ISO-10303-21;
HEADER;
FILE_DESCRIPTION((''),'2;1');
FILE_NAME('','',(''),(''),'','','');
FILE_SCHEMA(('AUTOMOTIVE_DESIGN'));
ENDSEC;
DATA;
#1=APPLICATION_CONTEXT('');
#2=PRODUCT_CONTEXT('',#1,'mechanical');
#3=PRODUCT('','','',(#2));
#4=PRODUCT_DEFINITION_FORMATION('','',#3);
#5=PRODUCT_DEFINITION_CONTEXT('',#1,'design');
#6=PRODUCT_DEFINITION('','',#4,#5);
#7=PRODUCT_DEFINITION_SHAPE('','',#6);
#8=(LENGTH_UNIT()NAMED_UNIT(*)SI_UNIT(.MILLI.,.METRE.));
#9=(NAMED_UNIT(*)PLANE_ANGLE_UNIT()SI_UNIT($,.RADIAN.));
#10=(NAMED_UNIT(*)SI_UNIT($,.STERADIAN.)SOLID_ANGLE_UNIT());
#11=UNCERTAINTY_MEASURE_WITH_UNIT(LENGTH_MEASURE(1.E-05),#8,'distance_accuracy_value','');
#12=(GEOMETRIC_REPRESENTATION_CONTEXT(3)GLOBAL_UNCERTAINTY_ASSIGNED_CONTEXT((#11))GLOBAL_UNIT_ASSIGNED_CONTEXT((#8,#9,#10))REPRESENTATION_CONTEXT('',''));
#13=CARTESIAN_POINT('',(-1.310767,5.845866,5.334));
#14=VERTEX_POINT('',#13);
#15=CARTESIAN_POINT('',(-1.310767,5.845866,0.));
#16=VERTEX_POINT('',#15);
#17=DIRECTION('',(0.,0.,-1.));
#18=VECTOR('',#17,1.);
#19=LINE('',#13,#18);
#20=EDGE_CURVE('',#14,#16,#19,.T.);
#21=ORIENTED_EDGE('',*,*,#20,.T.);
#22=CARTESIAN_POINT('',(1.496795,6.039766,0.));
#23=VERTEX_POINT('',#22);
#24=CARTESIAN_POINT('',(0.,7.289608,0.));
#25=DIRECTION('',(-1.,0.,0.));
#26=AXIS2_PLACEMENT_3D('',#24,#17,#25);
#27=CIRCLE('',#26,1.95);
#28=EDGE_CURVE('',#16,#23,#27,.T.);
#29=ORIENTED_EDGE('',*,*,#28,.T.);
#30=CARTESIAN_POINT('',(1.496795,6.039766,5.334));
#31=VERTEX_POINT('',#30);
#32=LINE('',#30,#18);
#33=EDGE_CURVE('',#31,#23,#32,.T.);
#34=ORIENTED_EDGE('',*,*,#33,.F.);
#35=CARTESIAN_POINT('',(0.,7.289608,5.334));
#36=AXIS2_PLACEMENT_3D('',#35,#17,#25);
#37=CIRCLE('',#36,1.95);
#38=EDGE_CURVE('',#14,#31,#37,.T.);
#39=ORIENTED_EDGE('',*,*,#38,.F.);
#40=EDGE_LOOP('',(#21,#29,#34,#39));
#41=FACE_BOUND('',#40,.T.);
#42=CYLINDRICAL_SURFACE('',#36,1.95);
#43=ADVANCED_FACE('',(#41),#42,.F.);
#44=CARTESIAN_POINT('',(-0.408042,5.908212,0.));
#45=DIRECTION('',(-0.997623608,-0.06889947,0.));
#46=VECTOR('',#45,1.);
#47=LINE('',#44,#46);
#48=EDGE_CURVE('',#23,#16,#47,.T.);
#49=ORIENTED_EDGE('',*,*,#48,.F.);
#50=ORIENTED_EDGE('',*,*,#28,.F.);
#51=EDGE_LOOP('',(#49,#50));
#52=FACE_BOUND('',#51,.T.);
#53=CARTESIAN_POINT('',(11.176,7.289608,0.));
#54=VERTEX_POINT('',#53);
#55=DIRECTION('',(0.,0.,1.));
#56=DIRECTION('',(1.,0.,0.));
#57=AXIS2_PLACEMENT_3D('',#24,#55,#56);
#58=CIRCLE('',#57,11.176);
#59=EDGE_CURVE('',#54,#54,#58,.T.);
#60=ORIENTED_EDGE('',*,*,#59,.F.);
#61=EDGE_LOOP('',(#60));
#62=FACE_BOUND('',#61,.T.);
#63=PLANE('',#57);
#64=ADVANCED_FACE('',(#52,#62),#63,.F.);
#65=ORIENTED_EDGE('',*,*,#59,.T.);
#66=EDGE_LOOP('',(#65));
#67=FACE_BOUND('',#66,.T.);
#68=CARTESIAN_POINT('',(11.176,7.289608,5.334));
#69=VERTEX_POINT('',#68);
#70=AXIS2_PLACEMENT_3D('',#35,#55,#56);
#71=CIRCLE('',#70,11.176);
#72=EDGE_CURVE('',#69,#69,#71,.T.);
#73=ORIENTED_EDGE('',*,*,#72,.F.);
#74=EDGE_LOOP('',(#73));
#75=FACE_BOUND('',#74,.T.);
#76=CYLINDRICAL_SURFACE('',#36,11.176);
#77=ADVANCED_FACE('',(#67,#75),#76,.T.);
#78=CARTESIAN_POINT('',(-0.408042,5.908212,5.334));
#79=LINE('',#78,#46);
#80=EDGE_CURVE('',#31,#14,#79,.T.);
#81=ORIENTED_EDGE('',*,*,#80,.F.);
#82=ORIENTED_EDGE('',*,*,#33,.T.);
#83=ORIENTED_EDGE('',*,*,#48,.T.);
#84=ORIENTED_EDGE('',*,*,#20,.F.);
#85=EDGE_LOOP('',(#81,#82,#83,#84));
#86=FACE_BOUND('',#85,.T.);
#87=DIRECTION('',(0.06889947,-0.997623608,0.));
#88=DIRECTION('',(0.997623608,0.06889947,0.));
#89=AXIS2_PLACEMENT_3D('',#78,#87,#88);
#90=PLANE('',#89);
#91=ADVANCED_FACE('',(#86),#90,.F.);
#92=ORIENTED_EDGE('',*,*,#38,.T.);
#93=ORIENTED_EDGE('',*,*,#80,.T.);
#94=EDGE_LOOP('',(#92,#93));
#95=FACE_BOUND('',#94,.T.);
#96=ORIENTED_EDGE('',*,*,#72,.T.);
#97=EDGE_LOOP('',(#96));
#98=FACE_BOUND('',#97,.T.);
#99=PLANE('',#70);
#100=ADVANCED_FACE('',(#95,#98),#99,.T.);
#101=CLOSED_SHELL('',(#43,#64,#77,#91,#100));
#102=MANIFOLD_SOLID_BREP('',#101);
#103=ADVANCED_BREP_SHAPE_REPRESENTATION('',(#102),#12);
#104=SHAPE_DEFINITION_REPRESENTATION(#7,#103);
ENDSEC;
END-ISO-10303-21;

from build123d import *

# Parameters (mm, degrees)
SKETCH1_R           = 11.176
BOSS_EXTRUDE1_DEPTH = 5.334
CUT_EXTRUDE1_DEPTH  = 23.233605605


with BuildPart() as part:
    # Sketch1 → Boss-Extrude1 (new body)
    with BuildSketch(Plane.XY):
        with Locations((0, 7.2896082)):
            Circle(SKETCH1_R)
    extrude(amount=BOSS_EXTRUDE1_DEPTH)

    # Sketch2 → Cut-Extrude1 (cut, through all)
    with BuildSketch(Plane(origin=(0, 0, 0), x_dir=(-1, 0, 0), z_dir=(0, 0, -1))):
        with BuildLine():
            ThreePointArc((1.95, 7.2896082), (-0.664736598, 9.122809022), (-1.496795133, 6.039766478))
            Line((-1.496795133, 6.039766478), (1.310766563, 5.845866181))
            ThreePointArc((1.310766563, 5.845866181), (1.783044419, 6.50014471), (1.95, 7.2896082))
        make_face()
    extrude(amount=-CUT_EXTRUDE1_DEPTH, mode=Mode.SUBTRACT)


solid = part.part
